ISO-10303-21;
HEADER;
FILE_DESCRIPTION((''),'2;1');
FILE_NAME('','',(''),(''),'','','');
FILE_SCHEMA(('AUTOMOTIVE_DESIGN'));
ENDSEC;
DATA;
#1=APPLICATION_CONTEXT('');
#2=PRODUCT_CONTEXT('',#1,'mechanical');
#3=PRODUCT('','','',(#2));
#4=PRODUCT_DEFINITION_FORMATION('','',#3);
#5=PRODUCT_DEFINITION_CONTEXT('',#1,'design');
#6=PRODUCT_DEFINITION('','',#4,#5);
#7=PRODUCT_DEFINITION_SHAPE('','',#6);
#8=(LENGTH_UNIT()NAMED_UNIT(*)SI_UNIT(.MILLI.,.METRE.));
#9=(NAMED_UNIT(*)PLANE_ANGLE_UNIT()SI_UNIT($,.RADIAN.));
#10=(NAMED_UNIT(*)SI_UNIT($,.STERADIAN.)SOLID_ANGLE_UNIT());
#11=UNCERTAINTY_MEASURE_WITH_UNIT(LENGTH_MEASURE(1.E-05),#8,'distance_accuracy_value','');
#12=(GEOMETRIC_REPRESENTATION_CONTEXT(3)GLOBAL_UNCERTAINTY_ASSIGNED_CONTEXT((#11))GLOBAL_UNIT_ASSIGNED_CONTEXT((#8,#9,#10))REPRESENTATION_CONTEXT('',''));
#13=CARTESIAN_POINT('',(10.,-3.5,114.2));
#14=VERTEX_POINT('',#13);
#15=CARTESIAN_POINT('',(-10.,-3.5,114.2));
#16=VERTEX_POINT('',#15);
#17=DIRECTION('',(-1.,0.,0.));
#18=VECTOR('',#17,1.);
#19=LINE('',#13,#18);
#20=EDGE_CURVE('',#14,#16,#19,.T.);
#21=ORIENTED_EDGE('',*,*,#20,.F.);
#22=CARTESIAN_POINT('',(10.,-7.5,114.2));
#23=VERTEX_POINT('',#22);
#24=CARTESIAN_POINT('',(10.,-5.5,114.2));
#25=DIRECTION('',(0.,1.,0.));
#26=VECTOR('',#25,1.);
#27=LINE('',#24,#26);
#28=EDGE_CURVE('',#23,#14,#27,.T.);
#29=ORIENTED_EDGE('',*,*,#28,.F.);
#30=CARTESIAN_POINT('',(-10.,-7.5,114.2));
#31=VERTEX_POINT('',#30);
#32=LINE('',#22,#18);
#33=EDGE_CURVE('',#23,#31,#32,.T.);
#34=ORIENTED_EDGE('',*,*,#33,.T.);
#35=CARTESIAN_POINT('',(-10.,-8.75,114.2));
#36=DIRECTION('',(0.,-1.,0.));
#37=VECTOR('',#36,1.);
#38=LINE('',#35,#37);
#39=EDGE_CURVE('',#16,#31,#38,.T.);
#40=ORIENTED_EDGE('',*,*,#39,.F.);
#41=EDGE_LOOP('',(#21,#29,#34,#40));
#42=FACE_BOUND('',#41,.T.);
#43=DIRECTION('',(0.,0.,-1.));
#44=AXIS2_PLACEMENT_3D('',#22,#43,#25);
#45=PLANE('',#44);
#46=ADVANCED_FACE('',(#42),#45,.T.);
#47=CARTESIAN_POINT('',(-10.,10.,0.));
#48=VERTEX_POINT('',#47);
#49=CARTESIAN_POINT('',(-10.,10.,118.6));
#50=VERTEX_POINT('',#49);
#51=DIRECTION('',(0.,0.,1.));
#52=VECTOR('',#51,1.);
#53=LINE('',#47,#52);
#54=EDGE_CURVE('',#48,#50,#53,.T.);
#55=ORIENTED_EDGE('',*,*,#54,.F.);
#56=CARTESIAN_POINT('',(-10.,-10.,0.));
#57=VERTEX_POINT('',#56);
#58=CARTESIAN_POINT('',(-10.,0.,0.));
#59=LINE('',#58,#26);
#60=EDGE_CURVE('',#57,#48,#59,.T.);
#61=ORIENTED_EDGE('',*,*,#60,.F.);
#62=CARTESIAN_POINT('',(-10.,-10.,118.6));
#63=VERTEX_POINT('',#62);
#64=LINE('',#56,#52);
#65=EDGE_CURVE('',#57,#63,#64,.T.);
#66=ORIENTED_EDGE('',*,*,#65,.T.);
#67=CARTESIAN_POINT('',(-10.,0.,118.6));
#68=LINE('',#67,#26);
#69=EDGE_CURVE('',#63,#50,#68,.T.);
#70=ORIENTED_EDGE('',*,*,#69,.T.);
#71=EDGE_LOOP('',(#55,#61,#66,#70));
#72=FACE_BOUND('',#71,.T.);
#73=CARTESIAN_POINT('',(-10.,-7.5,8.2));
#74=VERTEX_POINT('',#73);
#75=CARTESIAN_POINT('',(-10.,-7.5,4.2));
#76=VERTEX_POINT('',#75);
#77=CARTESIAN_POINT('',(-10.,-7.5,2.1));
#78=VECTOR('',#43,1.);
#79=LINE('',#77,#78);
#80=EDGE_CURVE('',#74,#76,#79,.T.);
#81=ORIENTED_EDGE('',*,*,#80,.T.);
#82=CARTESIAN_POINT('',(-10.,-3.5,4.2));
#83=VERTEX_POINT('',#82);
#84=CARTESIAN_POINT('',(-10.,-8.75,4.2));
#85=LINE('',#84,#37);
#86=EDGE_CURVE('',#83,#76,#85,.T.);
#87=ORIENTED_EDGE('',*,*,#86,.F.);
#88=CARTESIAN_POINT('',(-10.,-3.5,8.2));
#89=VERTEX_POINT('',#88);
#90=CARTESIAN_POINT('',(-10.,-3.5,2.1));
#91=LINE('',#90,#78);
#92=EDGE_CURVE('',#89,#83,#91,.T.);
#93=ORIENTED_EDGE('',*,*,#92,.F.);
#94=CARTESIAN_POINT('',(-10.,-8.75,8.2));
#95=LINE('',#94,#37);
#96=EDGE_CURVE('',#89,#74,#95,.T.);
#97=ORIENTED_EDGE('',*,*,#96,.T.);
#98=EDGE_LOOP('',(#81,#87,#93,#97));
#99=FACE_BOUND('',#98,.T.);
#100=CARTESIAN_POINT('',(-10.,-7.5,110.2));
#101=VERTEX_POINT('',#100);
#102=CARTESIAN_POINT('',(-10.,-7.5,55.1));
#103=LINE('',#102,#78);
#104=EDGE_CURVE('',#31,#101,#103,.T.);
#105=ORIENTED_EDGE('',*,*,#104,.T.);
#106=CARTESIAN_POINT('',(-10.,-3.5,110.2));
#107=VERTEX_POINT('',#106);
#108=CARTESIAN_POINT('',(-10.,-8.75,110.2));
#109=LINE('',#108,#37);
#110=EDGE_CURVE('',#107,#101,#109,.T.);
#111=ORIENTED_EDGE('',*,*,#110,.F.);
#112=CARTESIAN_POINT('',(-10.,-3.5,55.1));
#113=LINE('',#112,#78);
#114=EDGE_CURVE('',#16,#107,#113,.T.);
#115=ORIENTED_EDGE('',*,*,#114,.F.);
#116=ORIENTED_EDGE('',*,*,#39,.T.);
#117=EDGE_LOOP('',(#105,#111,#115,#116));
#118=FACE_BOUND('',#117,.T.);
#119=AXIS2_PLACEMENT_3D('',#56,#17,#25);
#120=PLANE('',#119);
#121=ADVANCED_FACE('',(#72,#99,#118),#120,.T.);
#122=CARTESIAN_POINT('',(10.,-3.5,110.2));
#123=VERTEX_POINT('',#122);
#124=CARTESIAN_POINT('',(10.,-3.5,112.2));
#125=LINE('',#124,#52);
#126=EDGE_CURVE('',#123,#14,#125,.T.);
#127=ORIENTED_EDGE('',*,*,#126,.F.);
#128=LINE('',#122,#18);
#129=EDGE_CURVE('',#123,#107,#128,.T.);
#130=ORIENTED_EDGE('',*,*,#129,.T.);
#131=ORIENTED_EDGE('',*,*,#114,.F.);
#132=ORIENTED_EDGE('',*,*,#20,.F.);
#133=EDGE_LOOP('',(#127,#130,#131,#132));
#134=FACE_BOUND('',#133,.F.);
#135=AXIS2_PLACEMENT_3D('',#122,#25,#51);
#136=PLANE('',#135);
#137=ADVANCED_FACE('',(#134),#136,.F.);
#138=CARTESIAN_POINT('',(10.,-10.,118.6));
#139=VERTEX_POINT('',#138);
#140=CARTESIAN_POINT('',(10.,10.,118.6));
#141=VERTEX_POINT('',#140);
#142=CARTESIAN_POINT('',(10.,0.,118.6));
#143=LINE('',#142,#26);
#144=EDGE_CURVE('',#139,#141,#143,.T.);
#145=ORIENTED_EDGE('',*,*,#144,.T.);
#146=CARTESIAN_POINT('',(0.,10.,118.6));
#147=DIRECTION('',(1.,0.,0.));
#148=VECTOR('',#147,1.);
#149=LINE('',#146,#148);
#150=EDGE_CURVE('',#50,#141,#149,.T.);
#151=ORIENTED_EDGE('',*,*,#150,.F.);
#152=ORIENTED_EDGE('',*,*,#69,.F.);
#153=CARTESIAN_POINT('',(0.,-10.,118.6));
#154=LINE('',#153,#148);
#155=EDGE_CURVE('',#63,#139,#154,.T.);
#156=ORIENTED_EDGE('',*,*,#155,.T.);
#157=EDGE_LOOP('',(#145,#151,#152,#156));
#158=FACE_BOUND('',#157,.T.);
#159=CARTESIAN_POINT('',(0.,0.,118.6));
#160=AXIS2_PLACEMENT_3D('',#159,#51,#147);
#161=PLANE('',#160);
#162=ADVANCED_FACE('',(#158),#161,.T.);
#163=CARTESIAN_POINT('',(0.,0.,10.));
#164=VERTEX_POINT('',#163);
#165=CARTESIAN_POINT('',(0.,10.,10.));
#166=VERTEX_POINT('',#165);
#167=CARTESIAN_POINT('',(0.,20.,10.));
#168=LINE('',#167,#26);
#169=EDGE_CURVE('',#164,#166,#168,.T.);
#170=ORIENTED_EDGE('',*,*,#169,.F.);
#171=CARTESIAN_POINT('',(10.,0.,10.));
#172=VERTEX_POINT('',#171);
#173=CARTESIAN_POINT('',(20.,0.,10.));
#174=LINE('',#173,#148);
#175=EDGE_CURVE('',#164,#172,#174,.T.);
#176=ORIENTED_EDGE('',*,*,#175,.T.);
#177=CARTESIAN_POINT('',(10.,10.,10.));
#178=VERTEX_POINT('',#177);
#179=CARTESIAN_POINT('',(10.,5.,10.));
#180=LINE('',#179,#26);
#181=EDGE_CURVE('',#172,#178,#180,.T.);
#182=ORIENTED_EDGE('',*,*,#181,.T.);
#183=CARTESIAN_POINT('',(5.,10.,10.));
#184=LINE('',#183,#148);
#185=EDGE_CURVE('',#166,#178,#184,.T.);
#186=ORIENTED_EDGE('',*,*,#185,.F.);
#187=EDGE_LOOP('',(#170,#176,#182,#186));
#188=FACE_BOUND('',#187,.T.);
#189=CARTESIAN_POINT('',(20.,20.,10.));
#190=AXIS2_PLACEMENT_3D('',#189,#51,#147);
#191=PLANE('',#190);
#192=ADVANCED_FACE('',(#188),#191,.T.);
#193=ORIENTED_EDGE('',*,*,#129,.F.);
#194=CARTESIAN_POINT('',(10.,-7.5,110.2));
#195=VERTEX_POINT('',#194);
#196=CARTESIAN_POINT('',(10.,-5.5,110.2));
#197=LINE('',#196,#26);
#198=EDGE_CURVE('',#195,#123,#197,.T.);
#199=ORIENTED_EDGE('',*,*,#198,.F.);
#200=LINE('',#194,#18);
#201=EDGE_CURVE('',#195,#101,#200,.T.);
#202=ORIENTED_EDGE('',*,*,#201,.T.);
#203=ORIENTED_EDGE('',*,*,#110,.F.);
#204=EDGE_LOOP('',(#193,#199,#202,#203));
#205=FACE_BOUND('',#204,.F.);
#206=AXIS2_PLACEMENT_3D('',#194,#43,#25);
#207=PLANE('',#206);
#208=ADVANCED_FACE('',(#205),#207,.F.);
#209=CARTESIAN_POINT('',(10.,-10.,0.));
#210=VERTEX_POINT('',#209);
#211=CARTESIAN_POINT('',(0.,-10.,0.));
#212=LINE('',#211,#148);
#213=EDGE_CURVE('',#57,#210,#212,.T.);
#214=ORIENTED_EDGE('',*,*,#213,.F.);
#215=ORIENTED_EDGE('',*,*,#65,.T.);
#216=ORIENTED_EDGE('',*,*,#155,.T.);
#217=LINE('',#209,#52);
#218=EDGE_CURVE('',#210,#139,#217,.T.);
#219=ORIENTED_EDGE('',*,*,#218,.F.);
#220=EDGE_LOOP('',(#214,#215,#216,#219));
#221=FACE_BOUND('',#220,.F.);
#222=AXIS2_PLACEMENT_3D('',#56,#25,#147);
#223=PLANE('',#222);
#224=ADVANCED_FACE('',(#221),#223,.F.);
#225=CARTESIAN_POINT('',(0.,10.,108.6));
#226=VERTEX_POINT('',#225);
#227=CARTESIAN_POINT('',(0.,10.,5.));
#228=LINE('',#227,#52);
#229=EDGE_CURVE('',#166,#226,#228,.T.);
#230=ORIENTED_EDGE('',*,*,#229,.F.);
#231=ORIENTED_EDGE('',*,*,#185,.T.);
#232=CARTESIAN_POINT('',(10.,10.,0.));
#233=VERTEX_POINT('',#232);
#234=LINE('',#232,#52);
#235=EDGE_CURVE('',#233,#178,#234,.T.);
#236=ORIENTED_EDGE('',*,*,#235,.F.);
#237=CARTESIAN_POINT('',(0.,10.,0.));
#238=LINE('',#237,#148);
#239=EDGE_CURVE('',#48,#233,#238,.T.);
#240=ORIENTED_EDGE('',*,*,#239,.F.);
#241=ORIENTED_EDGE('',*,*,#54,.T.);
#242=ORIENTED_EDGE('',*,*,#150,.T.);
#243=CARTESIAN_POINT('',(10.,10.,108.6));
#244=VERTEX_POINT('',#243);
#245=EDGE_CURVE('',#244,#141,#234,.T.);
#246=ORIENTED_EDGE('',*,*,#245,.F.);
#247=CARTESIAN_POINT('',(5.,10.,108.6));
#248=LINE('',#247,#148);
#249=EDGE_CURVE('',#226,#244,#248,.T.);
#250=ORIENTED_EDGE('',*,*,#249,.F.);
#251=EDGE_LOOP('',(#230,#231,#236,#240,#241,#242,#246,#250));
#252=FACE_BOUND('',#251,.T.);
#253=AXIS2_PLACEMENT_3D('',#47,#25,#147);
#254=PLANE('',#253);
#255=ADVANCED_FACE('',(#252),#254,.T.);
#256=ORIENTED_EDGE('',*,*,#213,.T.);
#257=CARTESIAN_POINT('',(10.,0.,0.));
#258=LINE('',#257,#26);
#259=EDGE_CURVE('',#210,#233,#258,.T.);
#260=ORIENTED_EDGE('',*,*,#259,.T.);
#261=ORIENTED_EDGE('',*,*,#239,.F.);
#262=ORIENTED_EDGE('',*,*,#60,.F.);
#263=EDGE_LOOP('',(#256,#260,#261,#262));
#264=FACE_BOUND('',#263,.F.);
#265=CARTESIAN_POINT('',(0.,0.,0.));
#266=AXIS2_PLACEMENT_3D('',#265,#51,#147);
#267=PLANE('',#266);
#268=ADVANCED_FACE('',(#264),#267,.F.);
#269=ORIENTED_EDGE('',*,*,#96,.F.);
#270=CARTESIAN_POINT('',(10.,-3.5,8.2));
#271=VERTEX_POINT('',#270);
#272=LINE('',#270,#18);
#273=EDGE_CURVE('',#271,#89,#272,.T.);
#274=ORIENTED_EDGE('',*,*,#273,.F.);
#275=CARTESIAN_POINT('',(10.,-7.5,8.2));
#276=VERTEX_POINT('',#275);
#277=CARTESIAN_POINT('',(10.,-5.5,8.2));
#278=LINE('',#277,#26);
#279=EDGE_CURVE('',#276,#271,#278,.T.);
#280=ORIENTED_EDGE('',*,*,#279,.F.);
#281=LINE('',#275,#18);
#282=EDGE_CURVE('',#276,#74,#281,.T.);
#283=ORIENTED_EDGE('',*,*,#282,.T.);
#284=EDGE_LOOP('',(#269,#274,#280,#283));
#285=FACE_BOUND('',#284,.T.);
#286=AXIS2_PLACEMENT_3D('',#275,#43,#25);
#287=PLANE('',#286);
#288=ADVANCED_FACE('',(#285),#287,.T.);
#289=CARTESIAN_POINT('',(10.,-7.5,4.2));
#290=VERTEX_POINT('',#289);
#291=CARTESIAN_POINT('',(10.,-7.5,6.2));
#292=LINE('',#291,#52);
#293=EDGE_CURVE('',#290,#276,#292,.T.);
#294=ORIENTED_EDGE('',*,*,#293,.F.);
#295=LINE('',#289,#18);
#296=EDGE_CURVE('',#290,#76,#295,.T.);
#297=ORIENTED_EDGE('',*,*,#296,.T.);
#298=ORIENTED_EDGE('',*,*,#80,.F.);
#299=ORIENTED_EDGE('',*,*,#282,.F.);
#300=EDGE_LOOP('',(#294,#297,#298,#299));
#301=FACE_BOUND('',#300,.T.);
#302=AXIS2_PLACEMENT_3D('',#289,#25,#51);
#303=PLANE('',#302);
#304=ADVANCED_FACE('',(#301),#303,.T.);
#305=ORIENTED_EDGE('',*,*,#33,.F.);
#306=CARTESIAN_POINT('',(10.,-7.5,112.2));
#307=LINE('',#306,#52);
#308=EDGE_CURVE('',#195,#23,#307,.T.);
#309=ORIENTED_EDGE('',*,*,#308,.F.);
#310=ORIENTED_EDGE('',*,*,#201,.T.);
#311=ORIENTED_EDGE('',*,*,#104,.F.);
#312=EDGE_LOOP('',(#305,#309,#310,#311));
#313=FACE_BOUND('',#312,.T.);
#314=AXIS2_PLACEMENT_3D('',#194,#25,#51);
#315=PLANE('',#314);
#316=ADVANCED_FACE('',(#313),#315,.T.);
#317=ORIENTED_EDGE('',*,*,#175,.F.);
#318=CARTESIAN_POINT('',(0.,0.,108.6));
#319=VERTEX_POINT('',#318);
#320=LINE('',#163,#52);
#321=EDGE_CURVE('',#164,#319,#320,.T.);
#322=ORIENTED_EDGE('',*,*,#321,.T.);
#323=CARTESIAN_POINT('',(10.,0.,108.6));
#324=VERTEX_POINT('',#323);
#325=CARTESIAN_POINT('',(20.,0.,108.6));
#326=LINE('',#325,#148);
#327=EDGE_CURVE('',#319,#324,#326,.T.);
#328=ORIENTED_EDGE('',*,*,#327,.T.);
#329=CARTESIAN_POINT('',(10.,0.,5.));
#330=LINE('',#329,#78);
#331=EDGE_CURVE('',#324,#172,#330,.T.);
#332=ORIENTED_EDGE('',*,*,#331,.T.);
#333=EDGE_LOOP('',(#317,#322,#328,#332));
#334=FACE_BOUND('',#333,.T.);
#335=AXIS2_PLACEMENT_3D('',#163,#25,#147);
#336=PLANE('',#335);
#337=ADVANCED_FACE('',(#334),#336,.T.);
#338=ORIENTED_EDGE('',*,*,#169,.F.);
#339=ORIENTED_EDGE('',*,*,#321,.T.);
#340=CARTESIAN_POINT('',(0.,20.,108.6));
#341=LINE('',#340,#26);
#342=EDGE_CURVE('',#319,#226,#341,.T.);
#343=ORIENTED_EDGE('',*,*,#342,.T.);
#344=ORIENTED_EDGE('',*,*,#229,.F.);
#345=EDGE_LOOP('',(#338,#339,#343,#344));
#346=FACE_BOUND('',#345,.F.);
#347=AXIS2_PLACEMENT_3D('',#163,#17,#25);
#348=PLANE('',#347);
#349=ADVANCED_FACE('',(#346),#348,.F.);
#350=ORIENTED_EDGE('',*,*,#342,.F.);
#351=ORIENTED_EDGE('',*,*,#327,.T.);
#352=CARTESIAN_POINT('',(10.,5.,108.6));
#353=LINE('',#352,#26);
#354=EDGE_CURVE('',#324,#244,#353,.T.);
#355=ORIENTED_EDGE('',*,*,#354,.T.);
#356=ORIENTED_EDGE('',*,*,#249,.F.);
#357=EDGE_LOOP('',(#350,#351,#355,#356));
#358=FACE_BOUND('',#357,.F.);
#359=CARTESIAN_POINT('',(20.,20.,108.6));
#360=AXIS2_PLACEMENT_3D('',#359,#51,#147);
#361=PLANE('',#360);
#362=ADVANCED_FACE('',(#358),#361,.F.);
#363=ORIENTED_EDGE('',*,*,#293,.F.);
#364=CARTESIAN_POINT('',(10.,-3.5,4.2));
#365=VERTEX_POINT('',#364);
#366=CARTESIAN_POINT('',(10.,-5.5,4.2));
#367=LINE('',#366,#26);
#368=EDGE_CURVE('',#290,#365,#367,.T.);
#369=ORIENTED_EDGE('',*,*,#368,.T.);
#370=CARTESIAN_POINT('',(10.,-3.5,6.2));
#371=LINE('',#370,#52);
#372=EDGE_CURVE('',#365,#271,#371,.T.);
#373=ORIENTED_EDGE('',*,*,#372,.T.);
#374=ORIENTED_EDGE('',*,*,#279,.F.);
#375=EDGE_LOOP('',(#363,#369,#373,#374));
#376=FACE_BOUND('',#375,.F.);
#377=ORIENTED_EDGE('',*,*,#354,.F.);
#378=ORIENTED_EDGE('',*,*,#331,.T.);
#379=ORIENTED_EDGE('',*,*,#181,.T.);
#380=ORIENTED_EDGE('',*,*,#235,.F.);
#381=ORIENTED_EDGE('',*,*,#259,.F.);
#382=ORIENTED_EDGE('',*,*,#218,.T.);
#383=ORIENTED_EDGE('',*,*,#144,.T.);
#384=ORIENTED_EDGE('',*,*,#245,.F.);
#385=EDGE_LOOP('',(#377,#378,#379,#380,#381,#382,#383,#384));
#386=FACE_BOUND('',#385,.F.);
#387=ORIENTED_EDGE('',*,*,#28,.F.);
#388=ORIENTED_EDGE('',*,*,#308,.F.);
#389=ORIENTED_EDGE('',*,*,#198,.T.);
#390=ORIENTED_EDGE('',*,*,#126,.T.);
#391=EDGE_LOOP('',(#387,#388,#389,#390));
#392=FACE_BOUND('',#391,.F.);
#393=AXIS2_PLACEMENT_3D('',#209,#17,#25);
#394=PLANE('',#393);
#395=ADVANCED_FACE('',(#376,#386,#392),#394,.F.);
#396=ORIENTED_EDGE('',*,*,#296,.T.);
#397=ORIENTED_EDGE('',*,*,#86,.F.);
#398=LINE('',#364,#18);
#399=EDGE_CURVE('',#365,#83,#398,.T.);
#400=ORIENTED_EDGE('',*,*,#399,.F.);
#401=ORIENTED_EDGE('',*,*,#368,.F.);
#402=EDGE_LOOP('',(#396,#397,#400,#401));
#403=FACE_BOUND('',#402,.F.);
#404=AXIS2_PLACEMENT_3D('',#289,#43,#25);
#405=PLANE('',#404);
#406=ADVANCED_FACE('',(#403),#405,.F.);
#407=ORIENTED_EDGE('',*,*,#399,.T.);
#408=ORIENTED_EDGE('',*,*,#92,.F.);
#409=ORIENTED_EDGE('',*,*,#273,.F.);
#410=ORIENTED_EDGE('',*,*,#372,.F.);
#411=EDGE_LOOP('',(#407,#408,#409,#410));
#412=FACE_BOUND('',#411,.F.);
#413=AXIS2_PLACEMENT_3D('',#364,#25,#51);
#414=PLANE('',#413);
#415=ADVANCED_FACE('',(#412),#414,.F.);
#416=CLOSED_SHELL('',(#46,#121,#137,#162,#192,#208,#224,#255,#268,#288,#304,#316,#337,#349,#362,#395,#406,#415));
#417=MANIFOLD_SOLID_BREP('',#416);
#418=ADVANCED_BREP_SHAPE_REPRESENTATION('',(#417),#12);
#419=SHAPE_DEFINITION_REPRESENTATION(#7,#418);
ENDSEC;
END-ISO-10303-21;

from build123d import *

# Parameters (mm, degrees)
BOX_W        = 40
BOX_H        = 40
BOX_DEPTH    = 98.6
BOX001_W     = 20
BOX001_H     = 20
BOX001_DEPTH = 118.6
SKETCH_W     = 4
SKETCH_H     = 4
POCKET_DEPTH = 30


with BuildPart() as battery_hole:
    # Box → Box (new body)
    with BuildSketch(Plane.XY.offset(10)):
        with Locations((20, 20)):
            Rectangle(BOX_W, BOX_H)
    extrude(amount=BOX_DEPTH)


with BuildPart() as pocket:
    # Box001 → Box001 (new body)
    with BuildSketch(Plane(origin=(-10, -10, 0), x_dir=(1, 0, 0), z_dir=(0, 0, 1))):
        with Locations((10, 10)):
            Rectangle(BOX001_W, BOX001_H)
    extrude(amount=BOX001_DEPTH)

    # Cut: cut Battery Hole
    add(battery_hole.part, mode=Mode.SUBTRACT)

    # Sketch → Pocket (cut)
    with BuildSketch(Plane.YZ.offset(10)):
        with Locations((-5.5, 112.2)):
            Rectangle(SKETCH_W, SKETCH_H)
        with Locations((-5.5, 6.2)):
            Rectangle(SKETCH_W, SKETCH_H)
    extrude(amount=-POCKET_DEPTH, mode=Mode.SUBTRACT)


solid = pocket.part
